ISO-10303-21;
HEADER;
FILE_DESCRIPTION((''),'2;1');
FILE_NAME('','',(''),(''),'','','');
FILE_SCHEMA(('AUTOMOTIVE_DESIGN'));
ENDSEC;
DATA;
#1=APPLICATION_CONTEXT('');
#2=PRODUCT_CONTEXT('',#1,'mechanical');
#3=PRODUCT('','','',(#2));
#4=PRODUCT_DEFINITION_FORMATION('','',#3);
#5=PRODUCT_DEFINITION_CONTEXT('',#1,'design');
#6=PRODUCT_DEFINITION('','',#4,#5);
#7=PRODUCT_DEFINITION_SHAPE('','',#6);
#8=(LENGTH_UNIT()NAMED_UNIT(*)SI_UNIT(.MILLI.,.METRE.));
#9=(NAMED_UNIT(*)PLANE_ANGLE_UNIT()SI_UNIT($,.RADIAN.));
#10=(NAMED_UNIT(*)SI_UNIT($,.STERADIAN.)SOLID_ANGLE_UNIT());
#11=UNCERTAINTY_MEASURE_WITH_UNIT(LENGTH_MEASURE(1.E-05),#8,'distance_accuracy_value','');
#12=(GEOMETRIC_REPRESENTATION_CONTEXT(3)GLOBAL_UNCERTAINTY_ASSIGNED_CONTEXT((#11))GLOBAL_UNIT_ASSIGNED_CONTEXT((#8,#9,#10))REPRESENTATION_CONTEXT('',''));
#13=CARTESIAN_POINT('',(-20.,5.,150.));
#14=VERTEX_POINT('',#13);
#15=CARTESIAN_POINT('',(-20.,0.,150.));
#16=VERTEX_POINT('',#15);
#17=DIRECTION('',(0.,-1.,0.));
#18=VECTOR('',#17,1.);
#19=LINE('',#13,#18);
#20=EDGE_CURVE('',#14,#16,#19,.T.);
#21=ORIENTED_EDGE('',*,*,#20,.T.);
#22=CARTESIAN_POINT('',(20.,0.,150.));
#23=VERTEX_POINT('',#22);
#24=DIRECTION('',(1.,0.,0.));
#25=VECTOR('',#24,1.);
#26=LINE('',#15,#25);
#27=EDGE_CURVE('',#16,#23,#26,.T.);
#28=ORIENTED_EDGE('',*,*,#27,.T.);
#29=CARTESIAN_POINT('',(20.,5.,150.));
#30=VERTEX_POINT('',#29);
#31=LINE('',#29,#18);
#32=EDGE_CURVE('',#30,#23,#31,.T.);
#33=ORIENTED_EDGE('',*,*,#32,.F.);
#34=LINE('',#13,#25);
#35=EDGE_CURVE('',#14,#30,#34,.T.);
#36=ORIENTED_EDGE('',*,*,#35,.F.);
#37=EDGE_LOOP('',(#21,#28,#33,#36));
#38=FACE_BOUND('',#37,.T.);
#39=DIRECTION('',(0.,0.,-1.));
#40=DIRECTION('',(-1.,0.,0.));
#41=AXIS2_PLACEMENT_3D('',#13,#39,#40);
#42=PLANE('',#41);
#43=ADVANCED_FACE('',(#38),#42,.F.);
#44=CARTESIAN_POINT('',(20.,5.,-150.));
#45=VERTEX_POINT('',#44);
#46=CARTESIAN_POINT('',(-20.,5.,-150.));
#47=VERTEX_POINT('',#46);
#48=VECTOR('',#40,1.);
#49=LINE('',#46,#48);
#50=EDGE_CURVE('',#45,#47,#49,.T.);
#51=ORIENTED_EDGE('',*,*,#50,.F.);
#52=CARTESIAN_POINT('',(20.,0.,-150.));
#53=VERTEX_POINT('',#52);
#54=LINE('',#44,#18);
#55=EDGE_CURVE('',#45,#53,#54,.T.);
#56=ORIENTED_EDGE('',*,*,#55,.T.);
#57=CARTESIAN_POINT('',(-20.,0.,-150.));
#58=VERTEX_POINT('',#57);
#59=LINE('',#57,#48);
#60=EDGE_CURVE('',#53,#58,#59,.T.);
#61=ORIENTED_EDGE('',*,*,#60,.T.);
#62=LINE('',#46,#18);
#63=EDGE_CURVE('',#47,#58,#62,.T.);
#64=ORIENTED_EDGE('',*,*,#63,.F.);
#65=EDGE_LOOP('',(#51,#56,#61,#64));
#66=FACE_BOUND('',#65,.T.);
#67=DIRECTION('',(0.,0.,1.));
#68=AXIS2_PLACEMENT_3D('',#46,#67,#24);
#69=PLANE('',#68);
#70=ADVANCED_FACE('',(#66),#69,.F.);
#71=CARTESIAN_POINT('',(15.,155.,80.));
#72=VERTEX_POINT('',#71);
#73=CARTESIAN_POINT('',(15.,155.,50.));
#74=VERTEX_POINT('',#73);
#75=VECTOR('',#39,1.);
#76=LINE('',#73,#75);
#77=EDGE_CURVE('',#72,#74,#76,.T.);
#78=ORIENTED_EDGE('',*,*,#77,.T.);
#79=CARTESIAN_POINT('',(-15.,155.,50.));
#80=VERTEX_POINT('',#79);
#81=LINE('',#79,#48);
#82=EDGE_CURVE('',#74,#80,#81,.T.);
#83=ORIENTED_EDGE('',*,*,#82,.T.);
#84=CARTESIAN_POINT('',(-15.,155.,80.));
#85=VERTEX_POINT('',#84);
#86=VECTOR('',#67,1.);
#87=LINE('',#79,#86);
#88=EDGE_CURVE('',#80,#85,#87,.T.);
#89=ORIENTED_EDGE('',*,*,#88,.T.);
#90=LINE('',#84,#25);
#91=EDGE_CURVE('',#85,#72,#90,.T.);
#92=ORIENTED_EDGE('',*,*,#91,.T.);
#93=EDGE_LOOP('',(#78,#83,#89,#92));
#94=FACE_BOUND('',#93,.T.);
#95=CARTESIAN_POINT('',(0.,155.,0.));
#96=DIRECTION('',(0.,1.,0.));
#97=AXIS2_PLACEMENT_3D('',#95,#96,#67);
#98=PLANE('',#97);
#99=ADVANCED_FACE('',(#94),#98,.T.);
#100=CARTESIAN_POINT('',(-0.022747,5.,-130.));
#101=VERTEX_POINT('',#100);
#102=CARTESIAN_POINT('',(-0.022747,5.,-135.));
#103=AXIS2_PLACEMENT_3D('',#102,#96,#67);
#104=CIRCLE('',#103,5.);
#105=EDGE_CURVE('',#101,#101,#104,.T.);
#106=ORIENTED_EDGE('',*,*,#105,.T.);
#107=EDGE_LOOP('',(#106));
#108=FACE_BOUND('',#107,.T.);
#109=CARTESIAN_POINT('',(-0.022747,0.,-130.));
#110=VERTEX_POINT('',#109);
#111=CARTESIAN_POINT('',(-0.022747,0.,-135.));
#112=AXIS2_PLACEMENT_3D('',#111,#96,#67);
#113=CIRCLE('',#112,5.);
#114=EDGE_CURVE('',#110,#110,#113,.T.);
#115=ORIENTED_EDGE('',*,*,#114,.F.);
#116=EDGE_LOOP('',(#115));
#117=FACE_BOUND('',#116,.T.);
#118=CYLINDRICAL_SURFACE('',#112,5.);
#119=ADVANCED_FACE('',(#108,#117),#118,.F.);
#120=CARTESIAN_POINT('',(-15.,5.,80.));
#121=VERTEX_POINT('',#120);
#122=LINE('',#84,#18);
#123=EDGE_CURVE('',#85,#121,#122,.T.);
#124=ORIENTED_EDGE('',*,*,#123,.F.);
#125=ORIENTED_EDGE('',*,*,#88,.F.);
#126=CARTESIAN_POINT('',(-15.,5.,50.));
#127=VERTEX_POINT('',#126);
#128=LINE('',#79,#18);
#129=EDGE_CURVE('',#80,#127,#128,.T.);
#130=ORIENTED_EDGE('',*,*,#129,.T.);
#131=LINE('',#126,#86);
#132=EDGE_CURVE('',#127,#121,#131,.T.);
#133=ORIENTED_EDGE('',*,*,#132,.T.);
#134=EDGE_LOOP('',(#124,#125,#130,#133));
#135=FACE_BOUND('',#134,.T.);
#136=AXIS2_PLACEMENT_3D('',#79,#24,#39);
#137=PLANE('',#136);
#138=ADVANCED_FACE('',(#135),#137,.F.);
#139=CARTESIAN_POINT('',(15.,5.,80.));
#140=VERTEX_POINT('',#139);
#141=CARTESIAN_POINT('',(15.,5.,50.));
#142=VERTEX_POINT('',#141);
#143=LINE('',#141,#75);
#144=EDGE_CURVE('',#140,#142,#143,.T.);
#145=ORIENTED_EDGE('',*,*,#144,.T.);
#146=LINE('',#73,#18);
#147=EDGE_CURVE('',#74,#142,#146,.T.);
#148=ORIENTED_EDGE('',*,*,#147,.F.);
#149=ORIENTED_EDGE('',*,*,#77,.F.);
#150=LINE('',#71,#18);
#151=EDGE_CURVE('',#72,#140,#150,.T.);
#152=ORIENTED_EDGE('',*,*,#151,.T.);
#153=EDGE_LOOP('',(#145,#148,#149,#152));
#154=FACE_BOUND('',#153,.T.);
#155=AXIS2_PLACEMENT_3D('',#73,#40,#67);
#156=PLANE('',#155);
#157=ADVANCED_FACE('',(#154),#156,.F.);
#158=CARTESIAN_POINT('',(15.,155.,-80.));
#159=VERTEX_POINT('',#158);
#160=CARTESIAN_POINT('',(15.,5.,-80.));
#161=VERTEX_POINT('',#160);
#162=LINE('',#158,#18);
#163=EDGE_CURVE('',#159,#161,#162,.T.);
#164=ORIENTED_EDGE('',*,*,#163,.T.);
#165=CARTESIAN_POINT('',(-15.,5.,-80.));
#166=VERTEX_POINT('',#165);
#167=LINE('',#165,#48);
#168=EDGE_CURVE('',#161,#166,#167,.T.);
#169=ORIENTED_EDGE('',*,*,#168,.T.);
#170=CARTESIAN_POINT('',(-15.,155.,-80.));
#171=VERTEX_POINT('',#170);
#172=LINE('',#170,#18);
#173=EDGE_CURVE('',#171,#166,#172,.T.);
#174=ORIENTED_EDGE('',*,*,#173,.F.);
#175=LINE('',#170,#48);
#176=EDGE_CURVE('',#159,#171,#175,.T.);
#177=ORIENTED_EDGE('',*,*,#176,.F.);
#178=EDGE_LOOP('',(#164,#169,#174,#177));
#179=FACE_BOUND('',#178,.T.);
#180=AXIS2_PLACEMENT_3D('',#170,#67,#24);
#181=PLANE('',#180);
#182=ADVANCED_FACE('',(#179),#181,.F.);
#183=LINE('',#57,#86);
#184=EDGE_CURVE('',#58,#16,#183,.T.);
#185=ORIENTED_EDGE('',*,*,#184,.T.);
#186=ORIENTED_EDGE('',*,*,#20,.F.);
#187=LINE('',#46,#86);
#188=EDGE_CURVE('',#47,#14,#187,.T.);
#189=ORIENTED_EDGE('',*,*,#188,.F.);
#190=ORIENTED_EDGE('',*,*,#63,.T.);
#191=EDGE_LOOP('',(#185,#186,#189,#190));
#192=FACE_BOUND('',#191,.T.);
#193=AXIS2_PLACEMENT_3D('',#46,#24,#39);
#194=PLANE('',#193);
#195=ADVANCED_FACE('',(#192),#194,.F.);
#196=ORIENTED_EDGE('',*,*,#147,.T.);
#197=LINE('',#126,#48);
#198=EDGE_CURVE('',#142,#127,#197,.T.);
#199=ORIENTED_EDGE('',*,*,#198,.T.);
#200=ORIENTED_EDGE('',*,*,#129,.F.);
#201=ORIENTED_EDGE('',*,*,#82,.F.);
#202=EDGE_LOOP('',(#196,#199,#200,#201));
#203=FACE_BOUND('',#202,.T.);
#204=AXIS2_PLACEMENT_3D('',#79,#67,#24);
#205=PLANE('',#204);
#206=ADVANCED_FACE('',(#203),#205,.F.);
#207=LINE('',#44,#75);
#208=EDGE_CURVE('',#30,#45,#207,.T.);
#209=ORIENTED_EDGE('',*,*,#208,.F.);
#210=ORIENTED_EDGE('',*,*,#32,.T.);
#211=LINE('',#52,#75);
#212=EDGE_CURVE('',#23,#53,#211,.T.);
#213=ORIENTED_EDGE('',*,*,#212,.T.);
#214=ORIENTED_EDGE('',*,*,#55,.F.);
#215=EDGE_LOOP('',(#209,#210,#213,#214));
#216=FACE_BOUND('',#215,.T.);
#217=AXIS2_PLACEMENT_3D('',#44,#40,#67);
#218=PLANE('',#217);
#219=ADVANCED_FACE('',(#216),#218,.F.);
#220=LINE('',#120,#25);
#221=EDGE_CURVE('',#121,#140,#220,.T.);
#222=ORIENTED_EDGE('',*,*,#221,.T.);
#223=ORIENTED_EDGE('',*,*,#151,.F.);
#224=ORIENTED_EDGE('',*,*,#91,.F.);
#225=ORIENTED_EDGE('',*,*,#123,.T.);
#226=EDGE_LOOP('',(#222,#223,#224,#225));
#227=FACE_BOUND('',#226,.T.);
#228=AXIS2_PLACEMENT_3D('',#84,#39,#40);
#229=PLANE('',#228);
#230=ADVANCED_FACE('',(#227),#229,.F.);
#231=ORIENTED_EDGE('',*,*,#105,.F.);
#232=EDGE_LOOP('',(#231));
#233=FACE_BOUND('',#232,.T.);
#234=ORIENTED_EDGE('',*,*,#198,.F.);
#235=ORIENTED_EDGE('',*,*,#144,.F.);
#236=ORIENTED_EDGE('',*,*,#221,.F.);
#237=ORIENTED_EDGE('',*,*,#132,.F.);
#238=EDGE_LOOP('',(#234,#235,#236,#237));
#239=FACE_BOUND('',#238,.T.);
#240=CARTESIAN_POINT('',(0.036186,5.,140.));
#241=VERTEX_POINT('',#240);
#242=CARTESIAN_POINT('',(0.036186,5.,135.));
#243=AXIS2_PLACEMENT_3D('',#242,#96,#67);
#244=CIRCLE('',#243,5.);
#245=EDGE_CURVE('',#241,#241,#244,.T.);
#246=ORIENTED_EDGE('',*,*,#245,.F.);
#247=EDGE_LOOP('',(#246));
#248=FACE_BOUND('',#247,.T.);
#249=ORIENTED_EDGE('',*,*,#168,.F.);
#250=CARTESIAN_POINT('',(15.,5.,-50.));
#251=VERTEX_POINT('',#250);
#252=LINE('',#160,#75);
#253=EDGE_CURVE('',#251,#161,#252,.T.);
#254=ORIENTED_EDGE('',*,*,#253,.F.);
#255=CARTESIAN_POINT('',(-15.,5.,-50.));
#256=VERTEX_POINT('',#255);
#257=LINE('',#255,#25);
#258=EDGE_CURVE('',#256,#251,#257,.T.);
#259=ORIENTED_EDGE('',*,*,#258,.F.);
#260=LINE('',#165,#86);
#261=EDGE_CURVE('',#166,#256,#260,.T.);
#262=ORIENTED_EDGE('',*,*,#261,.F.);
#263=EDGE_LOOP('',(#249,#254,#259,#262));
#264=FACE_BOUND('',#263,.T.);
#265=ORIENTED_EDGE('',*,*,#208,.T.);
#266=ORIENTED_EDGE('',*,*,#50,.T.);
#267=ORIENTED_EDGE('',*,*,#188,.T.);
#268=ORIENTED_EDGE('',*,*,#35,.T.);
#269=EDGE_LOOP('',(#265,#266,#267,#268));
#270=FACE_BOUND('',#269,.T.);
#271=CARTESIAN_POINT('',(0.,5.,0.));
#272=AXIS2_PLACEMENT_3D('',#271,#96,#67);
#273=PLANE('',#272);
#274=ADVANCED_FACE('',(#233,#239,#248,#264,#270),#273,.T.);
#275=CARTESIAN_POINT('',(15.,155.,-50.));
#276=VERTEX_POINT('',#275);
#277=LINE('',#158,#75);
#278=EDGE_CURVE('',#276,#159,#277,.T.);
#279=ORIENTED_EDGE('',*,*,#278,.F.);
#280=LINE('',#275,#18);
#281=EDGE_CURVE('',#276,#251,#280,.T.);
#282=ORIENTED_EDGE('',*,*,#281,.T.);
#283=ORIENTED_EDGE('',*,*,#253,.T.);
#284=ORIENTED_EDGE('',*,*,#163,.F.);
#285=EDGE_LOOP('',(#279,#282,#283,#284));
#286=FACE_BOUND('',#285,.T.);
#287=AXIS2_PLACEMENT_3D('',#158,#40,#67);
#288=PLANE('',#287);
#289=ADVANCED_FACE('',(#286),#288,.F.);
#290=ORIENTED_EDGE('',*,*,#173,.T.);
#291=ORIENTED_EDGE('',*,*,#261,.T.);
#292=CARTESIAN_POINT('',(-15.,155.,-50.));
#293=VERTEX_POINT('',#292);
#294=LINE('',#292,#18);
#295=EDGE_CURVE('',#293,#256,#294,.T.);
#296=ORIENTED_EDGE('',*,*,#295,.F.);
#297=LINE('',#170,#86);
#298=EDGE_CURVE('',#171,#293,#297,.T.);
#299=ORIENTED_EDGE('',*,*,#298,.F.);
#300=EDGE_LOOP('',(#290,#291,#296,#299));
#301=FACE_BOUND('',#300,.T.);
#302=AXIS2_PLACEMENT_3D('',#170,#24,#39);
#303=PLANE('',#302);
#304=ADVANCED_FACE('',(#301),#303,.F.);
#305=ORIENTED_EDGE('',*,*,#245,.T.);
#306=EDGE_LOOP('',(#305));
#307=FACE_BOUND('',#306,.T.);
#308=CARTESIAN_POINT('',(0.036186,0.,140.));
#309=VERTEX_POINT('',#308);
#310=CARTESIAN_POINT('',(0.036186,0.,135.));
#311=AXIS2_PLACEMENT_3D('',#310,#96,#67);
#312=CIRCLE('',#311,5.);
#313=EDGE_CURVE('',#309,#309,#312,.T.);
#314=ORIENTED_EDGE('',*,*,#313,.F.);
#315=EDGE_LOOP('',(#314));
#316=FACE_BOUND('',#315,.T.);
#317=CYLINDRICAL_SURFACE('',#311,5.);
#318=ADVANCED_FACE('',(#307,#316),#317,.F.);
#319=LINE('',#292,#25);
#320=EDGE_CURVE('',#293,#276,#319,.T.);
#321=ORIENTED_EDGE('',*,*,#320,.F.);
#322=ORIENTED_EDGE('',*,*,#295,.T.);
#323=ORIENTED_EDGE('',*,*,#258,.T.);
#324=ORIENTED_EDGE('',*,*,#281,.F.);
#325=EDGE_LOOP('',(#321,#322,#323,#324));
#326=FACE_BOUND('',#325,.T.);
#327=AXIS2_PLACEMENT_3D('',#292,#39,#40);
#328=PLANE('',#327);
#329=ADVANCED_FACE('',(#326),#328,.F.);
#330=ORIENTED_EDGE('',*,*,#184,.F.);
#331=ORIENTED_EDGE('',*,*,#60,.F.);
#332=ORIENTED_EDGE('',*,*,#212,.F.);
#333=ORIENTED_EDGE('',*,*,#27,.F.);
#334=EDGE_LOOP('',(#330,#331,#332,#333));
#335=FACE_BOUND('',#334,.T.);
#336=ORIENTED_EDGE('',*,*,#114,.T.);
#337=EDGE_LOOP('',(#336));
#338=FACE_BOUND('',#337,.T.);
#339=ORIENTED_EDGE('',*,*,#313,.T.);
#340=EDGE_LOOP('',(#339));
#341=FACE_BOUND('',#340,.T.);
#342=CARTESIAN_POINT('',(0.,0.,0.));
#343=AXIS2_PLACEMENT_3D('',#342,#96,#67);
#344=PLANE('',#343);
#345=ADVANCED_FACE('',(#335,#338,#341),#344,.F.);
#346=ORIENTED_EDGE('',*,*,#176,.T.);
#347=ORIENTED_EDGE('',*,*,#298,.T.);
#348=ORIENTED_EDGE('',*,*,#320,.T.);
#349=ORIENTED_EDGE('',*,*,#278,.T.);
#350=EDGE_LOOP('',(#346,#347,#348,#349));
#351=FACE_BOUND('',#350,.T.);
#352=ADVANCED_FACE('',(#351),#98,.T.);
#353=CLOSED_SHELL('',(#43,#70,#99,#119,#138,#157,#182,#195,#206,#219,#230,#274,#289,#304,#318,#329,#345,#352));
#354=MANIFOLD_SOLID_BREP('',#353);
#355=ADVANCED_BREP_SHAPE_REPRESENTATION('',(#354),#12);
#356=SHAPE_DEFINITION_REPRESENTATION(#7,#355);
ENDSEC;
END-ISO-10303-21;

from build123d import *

# Parameters (mm, degrees)
SKETCH1_W           = 40
SKETCH1_H           = 300
BOSS_EXTRUDE1_DEPTH = 5
SKETCH2_W           = 30
SKETCH2_H           = 30
BOSS_EXTRUDE2_DEPTH = 150
SKETCH3_R           = 5
CUT_EXTRUDE2_DEPTH  = 5
SKETCH6_R           = 5
CUT_EXTRUDE3_DEPTH  = 5


with BuildPart() as part:
    # Sketch1 → Boss-Extrude1 (new body)
    with BuildSketch(Plane(origin=(0, 0, 0), x_dir=(1, 0, 0), z_dir=(0, 1, 0))):
        Rectangle(SKETCH1_W, SKETCH1_H)
    extrude(amount=BOSS_EXTRUDE1_DEPTH)

    # Sketch2 → Boss-Extrude2 (add)
    with BuildSketch(Plane(origin=(0, 5, 0), x_dir=(1, 0, 0), z_dir=(0, 1, 0))):
        with Locations((0, 65)):
            Rectangle(SKETCH2_W, SKETCH2_H)
        with Locations((0, -65)):
            Rectangle(SKETCH2_W, SKETCH2_H)
    extrude(amount=BOSS_EXTRUDE2_DEPTH)

    # Sketch3 → Cut-Extrude2 (cut)
    with BuildSketch(Plane(origin=(0, 5, 0), x_dir=(1, 0, 0), z_dir=(0, 1, 0))):
        with Locations(Location((-0.022747462, 135, 0), (0, 0, 270))):
            Circle(SKETCH3_R)
    extrude(amount=-CUT_EXTRUDE2_DEPTH, mode=Mode.SUBTRACT)

    # Sketch6 → Cut-Extrude3 (cut)
    with BuildSketch(Plane(origin=(0, 5, 0), x_dir=(1, 0, 0), z_dir=(0, 1, 0))):
        with Locations(Location((0.036186428, -135, 0), (0, 0, 270))):
            Circle(SKETCH6_R)
    extrude(amount=-CUT_EXTRUDE3_DEPTH, mode=Mode.SUBTRACT)


solid = part.part
